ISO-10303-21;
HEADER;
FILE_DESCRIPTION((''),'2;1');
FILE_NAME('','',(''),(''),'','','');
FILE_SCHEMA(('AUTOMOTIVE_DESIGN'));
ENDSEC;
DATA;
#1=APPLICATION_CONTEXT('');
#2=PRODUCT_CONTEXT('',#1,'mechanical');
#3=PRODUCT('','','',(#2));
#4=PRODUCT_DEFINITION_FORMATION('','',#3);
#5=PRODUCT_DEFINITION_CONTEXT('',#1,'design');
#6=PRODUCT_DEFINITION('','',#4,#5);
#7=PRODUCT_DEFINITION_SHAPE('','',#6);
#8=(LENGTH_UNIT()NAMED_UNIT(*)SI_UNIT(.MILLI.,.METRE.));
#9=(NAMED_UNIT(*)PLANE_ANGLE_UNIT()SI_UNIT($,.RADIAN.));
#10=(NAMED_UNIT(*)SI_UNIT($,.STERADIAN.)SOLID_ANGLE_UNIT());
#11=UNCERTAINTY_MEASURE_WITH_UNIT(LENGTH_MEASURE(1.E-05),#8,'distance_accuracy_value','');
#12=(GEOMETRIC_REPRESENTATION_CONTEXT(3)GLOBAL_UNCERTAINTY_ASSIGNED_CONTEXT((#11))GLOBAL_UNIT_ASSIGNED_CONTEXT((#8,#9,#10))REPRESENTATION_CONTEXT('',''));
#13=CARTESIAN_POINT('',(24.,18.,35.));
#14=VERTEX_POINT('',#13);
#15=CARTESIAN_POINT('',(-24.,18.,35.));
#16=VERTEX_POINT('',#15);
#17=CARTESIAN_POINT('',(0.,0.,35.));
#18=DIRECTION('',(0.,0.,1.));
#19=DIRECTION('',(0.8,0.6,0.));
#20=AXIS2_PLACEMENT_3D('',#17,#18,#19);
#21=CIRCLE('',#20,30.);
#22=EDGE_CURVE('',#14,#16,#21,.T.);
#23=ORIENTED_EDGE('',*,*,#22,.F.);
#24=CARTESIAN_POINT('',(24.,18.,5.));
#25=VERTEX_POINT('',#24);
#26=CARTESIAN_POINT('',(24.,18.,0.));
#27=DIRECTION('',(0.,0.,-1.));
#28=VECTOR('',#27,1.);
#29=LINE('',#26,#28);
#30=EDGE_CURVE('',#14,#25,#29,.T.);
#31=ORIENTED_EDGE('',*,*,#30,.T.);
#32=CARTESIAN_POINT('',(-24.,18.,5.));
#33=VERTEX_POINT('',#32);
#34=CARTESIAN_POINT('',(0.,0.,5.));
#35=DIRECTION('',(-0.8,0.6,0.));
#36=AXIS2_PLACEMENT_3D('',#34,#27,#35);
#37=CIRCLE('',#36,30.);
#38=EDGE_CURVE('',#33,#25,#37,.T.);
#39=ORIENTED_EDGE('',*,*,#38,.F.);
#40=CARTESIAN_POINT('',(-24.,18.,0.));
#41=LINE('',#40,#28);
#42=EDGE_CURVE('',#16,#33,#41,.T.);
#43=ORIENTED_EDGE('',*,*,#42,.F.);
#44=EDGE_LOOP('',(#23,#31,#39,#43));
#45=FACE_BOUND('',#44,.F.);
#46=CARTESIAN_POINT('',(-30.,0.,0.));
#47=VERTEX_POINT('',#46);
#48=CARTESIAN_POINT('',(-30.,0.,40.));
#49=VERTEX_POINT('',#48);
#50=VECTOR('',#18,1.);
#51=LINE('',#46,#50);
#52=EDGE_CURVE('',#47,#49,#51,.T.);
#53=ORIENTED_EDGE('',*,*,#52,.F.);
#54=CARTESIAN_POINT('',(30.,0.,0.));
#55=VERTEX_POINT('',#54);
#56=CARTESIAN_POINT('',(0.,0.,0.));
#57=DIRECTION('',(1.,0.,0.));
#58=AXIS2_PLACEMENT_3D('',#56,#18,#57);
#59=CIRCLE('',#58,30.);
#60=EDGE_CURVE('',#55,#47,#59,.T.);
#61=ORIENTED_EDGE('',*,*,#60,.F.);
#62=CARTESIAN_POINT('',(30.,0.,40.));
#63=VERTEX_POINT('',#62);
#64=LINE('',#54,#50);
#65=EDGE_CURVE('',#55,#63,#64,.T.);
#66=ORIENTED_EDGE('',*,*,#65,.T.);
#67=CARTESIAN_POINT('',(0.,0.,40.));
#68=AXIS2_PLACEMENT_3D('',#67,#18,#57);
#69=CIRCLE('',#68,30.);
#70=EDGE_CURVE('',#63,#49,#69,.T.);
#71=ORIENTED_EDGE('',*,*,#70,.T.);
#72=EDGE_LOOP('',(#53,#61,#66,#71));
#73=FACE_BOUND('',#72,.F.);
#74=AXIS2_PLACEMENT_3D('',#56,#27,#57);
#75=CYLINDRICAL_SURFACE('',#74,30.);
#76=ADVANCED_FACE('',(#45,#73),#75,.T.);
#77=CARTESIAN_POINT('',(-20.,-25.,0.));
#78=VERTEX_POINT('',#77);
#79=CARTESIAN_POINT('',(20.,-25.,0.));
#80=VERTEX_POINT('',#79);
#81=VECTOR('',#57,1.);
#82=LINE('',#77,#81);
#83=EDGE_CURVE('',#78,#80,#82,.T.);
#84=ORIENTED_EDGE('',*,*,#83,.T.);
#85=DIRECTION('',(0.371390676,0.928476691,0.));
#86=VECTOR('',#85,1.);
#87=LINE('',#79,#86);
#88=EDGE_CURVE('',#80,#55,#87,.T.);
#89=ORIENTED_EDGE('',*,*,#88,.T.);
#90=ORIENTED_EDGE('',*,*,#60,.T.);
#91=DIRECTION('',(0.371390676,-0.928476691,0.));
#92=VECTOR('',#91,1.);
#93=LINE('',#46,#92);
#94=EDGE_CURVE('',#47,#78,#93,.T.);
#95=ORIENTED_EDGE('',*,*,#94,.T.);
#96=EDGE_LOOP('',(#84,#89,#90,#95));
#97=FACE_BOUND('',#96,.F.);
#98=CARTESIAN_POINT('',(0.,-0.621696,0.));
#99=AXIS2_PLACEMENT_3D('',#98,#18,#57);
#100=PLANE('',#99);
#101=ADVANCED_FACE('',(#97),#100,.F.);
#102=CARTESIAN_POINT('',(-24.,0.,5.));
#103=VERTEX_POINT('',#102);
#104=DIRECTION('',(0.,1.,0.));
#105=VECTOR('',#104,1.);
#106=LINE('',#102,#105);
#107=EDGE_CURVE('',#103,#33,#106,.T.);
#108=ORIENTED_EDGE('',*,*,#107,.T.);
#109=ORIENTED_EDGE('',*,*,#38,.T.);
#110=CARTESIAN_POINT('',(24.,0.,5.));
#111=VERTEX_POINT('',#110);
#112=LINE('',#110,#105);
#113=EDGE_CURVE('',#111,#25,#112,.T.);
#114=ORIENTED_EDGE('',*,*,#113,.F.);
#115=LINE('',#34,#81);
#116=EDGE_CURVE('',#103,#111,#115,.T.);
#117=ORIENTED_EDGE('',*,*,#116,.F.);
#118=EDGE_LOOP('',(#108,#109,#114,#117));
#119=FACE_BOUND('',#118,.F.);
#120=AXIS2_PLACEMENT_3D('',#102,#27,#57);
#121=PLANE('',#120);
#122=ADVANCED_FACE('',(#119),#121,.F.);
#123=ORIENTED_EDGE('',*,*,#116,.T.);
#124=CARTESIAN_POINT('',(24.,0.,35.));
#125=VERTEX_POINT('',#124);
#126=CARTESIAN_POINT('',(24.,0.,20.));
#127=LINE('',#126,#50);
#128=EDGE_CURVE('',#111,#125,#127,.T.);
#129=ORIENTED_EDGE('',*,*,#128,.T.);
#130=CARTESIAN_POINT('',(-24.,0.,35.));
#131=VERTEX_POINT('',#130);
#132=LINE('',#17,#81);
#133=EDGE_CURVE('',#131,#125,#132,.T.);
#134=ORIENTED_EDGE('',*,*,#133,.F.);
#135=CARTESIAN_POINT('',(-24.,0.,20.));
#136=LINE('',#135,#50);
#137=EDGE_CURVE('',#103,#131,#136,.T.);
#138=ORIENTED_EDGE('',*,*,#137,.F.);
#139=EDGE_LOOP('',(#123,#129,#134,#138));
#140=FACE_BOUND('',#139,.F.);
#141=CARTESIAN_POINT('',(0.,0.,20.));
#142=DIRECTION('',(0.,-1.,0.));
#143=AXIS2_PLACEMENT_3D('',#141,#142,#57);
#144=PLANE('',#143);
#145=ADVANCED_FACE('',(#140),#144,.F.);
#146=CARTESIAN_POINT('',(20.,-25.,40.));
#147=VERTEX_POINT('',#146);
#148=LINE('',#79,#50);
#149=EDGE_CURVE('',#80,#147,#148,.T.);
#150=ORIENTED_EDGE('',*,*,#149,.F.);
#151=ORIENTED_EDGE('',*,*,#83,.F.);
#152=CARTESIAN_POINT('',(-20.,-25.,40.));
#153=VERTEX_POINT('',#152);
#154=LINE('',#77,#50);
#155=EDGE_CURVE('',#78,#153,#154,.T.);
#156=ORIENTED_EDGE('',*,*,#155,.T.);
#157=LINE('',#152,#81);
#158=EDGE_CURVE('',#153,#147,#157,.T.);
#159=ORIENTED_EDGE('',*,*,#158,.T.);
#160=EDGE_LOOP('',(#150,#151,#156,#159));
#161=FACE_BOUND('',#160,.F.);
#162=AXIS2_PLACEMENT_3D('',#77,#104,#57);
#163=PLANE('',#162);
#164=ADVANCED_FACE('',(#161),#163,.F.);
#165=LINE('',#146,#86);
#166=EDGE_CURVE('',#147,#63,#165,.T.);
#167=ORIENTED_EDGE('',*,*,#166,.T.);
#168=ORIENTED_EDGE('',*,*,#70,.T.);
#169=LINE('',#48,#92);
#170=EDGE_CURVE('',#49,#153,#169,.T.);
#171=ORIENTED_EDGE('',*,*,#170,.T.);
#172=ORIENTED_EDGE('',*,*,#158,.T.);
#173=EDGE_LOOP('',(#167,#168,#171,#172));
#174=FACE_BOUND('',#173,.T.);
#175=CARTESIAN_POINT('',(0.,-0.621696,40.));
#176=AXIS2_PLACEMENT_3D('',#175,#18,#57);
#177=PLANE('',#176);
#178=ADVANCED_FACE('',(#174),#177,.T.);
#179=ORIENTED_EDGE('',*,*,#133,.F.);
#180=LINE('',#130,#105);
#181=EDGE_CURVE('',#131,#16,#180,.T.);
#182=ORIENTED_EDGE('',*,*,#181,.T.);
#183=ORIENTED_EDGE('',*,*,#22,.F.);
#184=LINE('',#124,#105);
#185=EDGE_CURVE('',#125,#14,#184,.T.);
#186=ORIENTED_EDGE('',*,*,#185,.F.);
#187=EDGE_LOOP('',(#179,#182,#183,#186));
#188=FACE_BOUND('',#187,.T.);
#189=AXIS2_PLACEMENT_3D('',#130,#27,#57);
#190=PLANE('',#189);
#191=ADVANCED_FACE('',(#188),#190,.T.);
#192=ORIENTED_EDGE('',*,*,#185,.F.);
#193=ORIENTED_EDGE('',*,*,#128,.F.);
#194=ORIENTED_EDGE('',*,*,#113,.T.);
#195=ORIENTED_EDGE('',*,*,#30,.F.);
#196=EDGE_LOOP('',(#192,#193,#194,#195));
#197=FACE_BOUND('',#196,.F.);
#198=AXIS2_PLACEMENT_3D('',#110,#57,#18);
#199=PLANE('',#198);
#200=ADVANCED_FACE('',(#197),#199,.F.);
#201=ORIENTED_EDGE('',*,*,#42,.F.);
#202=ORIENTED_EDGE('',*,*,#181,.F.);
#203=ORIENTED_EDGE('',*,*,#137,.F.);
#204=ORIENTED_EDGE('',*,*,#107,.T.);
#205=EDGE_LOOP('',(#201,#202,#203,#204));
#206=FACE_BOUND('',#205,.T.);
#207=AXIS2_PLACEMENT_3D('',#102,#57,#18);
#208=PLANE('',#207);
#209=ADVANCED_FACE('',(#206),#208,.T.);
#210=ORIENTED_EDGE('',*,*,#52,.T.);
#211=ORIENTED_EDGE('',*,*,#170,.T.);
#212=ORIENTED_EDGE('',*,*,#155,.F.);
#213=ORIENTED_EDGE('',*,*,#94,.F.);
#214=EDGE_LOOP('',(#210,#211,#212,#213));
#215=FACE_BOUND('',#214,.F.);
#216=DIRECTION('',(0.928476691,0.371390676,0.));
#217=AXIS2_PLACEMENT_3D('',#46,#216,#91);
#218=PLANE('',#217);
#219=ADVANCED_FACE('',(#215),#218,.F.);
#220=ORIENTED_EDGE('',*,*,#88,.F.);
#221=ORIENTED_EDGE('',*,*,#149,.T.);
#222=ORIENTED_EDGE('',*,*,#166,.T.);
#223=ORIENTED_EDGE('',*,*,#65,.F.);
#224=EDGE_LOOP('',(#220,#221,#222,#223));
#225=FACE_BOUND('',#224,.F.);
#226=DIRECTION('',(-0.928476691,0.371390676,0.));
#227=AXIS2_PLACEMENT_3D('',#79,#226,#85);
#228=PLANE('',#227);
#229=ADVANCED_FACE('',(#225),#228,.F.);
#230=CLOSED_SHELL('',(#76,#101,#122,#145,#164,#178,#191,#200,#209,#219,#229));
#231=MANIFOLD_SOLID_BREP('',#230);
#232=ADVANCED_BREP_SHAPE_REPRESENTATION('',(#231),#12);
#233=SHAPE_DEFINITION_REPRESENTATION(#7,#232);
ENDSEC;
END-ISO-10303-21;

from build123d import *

# Parameters (mm, degrees)
PAD_DEPTH    = 40
SKETCH001_W  = 48
SKETCH001_H  = 30
POCKET_DEPTH = 30


with BuildPart() as part:
    # Sketch → Pad (new body)
    with BuildSketch(Plane.XY):
        with BuildLine():
            ThreePointArc((30, 0), (0, 30), (-30, 0))
            Line((-30, 0), (-20, -25))
            Line((-20, -25), (20, -25))
            Line((20, -25), (30, 0))
        make_face()
    extrude(amount=PAD_DEPTH)

    # Sketch001 → Pocket (cut)
    with BuildSketch(Plane.XZ):
        with Locations((0, 20)):
            Rectangle(SKETCH001_W, SKETCH001_H)
    extrude(amount=-POCKET_DEPTH, mode=Mode.SUBTRACT)


solid = part.part
